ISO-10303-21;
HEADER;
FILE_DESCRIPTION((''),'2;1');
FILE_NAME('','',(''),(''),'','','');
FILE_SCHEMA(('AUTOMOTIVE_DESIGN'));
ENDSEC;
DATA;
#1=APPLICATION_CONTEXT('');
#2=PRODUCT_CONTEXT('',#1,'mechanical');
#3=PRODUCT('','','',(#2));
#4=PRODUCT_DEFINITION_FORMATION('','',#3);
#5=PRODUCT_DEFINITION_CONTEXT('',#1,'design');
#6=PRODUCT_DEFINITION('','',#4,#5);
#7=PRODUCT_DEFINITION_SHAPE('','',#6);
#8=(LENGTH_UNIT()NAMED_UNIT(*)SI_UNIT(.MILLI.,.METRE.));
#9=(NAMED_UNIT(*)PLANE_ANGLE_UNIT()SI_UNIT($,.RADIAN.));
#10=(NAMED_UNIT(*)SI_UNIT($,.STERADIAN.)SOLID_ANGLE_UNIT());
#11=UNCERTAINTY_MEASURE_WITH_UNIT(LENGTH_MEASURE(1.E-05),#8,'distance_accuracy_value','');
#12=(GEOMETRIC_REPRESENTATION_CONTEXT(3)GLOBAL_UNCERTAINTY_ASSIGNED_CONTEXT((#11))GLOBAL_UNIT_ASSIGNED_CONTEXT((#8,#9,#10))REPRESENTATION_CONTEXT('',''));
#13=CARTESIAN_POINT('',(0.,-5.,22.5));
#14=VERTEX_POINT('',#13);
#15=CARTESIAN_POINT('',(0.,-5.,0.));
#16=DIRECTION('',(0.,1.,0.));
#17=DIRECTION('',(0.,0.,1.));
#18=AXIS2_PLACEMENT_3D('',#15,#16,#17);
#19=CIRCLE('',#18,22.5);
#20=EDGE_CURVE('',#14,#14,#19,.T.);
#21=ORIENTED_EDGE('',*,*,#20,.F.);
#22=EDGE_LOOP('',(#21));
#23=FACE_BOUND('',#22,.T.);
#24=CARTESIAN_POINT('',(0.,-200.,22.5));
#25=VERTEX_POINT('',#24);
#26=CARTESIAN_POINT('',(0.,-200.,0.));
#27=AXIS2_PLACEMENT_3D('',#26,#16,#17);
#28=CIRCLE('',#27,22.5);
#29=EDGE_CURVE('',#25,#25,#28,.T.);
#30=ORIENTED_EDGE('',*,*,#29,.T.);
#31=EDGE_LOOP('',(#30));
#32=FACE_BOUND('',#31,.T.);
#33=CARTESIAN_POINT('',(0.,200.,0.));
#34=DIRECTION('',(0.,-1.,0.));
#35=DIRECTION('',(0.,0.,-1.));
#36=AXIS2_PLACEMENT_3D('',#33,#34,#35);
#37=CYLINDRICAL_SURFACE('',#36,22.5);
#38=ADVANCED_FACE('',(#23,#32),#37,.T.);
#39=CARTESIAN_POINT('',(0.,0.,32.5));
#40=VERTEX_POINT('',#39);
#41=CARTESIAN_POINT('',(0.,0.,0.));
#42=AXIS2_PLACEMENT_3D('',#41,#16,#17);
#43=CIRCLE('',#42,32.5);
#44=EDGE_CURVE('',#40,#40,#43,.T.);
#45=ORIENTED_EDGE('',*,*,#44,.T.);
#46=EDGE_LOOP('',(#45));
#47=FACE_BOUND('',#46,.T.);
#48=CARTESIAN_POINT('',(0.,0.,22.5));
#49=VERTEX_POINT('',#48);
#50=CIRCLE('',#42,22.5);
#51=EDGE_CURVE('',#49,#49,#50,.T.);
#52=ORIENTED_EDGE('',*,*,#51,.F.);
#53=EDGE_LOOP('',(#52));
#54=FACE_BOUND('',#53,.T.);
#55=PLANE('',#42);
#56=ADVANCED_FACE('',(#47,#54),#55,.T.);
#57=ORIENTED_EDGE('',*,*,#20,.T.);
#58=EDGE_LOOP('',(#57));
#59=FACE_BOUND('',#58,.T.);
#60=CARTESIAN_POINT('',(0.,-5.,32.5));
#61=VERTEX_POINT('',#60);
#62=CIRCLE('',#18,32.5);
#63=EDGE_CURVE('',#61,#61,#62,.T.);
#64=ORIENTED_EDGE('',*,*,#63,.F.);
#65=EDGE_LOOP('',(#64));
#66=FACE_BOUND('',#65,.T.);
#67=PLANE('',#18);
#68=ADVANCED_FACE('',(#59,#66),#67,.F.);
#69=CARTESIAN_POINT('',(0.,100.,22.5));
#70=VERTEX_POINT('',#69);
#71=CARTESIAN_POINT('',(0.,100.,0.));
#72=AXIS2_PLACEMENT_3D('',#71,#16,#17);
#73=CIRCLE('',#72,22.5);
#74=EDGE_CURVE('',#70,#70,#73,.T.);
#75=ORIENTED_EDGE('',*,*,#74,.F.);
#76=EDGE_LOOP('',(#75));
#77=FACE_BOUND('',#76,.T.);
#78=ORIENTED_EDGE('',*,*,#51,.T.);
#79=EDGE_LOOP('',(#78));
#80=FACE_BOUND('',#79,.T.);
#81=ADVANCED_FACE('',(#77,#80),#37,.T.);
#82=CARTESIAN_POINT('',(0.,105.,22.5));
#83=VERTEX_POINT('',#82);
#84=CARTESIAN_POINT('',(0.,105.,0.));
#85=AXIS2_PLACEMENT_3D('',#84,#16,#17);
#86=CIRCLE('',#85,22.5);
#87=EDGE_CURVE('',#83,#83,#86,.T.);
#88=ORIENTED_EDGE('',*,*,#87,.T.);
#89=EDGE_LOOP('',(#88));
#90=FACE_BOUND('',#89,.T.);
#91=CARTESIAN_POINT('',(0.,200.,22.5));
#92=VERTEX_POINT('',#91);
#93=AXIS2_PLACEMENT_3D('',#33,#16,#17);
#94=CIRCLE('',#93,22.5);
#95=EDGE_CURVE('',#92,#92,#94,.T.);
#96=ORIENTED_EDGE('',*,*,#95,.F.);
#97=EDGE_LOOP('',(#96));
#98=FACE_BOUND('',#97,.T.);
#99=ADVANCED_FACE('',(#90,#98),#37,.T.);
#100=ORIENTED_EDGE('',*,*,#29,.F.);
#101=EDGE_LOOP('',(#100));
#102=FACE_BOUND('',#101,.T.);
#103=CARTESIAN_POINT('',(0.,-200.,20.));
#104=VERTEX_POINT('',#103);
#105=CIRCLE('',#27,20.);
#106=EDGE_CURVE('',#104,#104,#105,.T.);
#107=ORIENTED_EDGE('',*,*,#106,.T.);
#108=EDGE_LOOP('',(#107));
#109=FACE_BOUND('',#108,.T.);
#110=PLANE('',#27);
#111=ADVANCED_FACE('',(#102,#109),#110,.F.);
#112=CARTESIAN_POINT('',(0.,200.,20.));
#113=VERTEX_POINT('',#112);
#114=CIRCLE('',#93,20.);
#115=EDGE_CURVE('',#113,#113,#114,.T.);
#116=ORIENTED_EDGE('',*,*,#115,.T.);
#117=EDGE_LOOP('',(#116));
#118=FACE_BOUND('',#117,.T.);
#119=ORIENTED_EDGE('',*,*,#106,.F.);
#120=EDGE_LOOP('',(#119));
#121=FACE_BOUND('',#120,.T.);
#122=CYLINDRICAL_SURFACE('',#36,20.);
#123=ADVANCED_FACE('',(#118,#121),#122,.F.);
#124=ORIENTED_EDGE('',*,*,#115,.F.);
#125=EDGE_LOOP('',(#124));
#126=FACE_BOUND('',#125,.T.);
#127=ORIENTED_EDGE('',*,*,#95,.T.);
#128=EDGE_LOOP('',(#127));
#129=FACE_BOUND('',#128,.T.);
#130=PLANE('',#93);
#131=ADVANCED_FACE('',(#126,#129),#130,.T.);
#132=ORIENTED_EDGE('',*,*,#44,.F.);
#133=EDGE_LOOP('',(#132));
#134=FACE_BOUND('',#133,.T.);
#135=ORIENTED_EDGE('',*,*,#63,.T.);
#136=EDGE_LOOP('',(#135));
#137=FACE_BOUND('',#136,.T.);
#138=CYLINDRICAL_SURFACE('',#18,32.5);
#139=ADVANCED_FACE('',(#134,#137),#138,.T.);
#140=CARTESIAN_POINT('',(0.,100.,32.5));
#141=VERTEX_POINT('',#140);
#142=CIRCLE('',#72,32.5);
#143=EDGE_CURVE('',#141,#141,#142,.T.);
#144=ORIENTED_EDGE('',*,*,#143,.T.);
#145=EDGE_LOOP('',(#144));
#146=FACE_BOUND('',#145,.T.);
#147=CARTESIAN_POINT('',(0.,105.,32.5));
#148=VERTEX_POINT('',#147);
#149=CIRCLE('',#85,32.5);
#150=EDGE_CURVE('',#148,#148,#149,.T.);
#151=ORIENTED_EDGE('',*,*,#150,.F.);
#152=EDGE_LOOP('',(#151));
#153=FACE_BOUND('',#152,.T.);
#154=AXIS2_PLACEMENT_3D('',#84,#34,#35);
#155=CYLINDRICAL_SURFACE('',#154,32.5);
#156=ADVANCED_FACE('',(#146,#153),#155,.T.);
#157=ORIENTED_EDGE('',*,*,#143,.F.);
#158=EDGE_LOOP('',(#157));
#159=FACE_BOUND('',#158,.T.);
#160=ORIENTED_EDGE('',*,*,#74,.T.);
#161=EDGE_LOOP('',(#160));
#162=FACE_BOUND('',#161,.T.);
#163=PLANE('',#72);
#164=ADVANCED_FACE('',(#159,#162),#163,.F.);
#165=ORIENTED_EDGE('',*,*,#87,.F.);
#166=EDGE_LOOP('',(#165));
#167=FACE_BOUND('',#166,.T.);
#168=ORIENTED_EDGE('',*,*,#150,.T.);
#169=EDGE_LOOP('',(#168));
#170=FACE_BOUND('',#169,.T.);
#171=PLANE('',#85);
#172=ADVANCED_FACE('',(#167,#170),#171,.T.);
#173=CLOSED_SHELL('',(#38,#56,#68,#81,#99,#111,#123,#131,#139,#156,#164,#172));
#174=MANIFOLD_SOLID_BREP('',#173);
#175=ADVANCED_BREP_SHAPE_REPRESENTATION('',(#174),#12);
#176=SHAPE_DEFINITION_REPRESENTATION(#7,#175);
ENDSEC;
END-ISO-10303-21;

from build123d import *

# Parameters (mm, degrees)
SKETCH1_R           = 22.5
SKETCH1_R_2         = 20
BOSS_EXTRUDE1_DEPTH = 200
SKETCH2_R           = 32.5
SKETCH2_R_2         = 22.5
BOSS_EXTRUDE2_DEPTH = 5
SKETCH3_R           = 32.5
SKETCH3_R_2         = 22.5
BOSS_EXTRUDE3_DEPTH = 5


with BuildPart() as part:
    # Sketch1 → Boss-Extrude1 (new body, symmetric)
    with BuildSketch(Plane(origin=(0, 0, 0), x_dir=(1, 0, 0), z_dir=(0, 1, 0))):
        Circle(SKETCH1_R)
        Circle(SKETCH1_R_2, mode=Mode.SUBTRACT)
    extrude(amount=BOSS_EXTRUDE1_DEPTH, both=True)

    # Sketch2 → Boss-Extrude2 (add)
    with BuildSketch(Plane(origin=(0, 100, 0), x_dir=(1, 0, 0), z_dir=(0, 1, 0))):
        Circle(SKETCH2_R)
        Circle(SKETCH2_R_2, mode=Mode.SUBTRACT)
    extrude(amount=BOSS_EXTRUDE2_DEPTH)

    # Sketch3 → Boss-Extrude3 (add)
    with BuildSketch(Plane(origin=(0, 0, 0), x_dir=(1, 0, 0), z_dir=(0, 1, 0))):
        Circle(SKETCH3_R)
        Circle(SKETCH3_R_2, mode=Mode.SUBTRACT)
    extrude(amount=-BOSS_EXTRUDE3_DEPTH)


solid = part.part
